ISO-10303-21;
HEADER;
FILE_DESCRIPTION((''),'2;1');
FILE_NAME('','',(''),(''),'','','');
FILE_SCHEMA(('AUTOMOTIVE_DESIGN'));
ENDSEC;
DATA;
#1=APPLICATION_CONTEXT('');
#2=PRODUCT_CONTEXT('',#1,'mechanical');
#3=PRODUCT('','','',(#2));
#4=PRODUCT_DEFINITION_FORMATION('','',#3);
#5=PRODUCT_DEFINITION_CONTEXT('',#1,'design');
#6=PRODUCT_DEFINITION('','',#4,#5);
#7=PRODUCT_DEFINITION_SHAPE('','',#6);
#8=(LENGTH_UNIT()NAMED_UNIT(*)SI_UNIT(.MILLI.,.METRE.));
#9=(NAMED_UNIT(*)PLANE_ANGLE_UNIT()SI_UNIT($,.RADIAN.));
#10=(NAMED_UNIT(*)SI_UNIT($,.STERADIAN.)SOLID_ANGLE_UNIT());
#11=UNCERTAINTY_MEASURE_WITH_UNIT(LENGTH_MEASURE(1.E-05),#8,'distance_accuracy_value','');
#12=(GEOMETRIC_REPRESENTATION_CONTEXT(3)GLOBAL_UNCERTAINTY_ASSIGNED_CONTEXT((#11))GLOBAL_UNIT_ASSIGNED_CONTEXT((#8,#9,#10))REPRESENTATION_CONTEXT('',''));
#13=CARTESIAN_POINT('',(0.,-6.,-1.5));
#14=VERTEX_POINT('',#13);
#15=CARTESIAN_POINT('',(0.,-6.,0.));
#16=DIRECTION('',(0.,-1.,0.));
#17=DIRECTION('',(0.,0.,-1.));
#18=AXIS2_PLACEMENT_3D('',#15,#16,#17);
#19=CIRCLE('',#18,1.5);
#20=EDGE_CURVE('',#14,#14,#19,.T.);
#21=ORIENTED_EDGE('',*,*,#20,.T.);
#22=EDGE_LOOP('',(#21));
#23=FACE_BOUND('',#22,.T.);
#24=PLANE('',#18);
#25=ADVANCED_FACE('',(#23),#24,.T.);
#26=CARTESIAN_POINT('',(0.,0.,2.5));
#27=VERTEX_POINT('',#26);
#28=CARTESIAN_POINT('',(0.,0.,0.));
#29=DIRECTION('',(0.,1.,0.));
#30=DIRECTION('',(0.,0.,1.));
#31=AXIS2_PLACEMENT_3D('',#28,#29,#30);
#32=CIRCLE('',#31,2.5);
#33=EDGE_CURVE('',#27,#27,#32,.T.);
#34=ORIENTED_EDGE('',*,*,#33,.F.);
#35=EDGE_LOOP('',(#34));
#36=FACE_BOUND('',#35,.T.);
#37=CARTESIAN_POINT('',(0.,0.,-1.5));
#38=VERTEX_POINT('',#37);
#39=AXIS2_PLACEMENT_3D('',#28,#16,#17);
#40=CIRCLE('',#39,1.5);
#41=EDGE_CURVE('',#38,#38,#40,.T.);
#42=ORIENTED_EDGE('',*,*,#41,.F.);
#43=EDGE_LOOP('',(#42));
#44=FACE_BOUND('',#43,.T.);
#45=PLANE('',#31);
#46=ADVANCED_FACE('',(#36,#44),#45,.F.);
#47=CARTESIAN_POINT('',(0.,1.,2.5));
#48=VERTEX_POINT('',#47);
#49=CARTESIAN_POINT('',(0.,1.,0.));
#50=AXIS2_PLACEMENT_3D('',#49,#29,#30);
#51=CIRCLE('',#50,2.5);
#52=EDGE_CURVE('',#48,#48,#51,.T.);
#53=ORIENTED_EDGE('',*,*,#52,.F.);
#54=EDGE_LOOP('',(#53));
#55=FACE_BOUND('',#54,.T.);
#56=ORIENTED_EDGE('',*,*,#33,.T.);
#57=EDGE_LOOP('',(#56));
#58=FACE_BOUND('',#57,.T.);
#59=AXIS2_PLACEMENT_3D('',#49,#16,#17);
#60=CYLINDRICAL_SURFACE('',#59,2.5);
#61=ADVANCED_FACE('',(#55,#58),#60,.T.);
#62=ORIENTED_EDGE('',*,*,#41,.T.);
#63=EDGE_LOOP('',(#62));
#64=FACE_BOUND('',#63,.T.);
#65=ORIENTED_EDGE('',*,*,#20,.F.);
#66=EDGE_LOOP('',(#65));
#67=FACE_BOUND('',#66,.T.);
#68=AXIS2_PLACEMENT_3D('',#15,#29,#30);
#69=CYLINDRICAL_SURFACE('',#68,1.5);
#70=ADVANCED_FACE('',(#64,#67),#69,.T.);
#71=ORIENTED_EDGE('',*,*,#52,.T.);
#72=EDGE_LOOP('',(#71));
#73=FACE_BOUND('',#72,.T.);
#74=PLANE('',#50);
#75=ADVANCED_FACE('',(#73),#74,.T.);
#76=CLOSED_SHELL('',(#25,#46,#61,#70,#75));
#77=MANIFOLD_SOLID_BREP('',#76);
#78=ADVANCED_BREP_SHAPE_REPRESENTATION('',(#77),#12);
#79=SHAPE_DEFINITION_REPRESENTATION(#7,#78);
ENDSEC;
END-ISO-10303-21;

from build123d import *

# Parameters (mm, degrees)
SKETCH_1_R      = 2.5
EXTRUDE_1_DEPTH = 1
SKETCH_2_R      = 1.5
EXTRUDE_2_DEPTH = 6


with BuildPart() as part:
    # 草图1 → 凸台-拉伸1 (new body)
    with BuildSketch(Plane(origin=(0, 0, 0), x_dir=(1, 0, 0), z_dir=(0, 1, 0))):
        with Locations(Location((0, 0, 0), (0, 0, 270))):
            Circle(SKETCH_1_R)
    extrude(amount=EXTRUDE_1_DEPTH)

    # 草图2 → 凸台-拉伸2 (add)
    with BuildSketch(Plane.XZ):
        with Locations(Location((0, 0, 0), (0, 0, 270))):
            Circle(SKETCH_2_R)
    extrude(amount=EXTRUDE_2_DEPTH)


solid = part.part
